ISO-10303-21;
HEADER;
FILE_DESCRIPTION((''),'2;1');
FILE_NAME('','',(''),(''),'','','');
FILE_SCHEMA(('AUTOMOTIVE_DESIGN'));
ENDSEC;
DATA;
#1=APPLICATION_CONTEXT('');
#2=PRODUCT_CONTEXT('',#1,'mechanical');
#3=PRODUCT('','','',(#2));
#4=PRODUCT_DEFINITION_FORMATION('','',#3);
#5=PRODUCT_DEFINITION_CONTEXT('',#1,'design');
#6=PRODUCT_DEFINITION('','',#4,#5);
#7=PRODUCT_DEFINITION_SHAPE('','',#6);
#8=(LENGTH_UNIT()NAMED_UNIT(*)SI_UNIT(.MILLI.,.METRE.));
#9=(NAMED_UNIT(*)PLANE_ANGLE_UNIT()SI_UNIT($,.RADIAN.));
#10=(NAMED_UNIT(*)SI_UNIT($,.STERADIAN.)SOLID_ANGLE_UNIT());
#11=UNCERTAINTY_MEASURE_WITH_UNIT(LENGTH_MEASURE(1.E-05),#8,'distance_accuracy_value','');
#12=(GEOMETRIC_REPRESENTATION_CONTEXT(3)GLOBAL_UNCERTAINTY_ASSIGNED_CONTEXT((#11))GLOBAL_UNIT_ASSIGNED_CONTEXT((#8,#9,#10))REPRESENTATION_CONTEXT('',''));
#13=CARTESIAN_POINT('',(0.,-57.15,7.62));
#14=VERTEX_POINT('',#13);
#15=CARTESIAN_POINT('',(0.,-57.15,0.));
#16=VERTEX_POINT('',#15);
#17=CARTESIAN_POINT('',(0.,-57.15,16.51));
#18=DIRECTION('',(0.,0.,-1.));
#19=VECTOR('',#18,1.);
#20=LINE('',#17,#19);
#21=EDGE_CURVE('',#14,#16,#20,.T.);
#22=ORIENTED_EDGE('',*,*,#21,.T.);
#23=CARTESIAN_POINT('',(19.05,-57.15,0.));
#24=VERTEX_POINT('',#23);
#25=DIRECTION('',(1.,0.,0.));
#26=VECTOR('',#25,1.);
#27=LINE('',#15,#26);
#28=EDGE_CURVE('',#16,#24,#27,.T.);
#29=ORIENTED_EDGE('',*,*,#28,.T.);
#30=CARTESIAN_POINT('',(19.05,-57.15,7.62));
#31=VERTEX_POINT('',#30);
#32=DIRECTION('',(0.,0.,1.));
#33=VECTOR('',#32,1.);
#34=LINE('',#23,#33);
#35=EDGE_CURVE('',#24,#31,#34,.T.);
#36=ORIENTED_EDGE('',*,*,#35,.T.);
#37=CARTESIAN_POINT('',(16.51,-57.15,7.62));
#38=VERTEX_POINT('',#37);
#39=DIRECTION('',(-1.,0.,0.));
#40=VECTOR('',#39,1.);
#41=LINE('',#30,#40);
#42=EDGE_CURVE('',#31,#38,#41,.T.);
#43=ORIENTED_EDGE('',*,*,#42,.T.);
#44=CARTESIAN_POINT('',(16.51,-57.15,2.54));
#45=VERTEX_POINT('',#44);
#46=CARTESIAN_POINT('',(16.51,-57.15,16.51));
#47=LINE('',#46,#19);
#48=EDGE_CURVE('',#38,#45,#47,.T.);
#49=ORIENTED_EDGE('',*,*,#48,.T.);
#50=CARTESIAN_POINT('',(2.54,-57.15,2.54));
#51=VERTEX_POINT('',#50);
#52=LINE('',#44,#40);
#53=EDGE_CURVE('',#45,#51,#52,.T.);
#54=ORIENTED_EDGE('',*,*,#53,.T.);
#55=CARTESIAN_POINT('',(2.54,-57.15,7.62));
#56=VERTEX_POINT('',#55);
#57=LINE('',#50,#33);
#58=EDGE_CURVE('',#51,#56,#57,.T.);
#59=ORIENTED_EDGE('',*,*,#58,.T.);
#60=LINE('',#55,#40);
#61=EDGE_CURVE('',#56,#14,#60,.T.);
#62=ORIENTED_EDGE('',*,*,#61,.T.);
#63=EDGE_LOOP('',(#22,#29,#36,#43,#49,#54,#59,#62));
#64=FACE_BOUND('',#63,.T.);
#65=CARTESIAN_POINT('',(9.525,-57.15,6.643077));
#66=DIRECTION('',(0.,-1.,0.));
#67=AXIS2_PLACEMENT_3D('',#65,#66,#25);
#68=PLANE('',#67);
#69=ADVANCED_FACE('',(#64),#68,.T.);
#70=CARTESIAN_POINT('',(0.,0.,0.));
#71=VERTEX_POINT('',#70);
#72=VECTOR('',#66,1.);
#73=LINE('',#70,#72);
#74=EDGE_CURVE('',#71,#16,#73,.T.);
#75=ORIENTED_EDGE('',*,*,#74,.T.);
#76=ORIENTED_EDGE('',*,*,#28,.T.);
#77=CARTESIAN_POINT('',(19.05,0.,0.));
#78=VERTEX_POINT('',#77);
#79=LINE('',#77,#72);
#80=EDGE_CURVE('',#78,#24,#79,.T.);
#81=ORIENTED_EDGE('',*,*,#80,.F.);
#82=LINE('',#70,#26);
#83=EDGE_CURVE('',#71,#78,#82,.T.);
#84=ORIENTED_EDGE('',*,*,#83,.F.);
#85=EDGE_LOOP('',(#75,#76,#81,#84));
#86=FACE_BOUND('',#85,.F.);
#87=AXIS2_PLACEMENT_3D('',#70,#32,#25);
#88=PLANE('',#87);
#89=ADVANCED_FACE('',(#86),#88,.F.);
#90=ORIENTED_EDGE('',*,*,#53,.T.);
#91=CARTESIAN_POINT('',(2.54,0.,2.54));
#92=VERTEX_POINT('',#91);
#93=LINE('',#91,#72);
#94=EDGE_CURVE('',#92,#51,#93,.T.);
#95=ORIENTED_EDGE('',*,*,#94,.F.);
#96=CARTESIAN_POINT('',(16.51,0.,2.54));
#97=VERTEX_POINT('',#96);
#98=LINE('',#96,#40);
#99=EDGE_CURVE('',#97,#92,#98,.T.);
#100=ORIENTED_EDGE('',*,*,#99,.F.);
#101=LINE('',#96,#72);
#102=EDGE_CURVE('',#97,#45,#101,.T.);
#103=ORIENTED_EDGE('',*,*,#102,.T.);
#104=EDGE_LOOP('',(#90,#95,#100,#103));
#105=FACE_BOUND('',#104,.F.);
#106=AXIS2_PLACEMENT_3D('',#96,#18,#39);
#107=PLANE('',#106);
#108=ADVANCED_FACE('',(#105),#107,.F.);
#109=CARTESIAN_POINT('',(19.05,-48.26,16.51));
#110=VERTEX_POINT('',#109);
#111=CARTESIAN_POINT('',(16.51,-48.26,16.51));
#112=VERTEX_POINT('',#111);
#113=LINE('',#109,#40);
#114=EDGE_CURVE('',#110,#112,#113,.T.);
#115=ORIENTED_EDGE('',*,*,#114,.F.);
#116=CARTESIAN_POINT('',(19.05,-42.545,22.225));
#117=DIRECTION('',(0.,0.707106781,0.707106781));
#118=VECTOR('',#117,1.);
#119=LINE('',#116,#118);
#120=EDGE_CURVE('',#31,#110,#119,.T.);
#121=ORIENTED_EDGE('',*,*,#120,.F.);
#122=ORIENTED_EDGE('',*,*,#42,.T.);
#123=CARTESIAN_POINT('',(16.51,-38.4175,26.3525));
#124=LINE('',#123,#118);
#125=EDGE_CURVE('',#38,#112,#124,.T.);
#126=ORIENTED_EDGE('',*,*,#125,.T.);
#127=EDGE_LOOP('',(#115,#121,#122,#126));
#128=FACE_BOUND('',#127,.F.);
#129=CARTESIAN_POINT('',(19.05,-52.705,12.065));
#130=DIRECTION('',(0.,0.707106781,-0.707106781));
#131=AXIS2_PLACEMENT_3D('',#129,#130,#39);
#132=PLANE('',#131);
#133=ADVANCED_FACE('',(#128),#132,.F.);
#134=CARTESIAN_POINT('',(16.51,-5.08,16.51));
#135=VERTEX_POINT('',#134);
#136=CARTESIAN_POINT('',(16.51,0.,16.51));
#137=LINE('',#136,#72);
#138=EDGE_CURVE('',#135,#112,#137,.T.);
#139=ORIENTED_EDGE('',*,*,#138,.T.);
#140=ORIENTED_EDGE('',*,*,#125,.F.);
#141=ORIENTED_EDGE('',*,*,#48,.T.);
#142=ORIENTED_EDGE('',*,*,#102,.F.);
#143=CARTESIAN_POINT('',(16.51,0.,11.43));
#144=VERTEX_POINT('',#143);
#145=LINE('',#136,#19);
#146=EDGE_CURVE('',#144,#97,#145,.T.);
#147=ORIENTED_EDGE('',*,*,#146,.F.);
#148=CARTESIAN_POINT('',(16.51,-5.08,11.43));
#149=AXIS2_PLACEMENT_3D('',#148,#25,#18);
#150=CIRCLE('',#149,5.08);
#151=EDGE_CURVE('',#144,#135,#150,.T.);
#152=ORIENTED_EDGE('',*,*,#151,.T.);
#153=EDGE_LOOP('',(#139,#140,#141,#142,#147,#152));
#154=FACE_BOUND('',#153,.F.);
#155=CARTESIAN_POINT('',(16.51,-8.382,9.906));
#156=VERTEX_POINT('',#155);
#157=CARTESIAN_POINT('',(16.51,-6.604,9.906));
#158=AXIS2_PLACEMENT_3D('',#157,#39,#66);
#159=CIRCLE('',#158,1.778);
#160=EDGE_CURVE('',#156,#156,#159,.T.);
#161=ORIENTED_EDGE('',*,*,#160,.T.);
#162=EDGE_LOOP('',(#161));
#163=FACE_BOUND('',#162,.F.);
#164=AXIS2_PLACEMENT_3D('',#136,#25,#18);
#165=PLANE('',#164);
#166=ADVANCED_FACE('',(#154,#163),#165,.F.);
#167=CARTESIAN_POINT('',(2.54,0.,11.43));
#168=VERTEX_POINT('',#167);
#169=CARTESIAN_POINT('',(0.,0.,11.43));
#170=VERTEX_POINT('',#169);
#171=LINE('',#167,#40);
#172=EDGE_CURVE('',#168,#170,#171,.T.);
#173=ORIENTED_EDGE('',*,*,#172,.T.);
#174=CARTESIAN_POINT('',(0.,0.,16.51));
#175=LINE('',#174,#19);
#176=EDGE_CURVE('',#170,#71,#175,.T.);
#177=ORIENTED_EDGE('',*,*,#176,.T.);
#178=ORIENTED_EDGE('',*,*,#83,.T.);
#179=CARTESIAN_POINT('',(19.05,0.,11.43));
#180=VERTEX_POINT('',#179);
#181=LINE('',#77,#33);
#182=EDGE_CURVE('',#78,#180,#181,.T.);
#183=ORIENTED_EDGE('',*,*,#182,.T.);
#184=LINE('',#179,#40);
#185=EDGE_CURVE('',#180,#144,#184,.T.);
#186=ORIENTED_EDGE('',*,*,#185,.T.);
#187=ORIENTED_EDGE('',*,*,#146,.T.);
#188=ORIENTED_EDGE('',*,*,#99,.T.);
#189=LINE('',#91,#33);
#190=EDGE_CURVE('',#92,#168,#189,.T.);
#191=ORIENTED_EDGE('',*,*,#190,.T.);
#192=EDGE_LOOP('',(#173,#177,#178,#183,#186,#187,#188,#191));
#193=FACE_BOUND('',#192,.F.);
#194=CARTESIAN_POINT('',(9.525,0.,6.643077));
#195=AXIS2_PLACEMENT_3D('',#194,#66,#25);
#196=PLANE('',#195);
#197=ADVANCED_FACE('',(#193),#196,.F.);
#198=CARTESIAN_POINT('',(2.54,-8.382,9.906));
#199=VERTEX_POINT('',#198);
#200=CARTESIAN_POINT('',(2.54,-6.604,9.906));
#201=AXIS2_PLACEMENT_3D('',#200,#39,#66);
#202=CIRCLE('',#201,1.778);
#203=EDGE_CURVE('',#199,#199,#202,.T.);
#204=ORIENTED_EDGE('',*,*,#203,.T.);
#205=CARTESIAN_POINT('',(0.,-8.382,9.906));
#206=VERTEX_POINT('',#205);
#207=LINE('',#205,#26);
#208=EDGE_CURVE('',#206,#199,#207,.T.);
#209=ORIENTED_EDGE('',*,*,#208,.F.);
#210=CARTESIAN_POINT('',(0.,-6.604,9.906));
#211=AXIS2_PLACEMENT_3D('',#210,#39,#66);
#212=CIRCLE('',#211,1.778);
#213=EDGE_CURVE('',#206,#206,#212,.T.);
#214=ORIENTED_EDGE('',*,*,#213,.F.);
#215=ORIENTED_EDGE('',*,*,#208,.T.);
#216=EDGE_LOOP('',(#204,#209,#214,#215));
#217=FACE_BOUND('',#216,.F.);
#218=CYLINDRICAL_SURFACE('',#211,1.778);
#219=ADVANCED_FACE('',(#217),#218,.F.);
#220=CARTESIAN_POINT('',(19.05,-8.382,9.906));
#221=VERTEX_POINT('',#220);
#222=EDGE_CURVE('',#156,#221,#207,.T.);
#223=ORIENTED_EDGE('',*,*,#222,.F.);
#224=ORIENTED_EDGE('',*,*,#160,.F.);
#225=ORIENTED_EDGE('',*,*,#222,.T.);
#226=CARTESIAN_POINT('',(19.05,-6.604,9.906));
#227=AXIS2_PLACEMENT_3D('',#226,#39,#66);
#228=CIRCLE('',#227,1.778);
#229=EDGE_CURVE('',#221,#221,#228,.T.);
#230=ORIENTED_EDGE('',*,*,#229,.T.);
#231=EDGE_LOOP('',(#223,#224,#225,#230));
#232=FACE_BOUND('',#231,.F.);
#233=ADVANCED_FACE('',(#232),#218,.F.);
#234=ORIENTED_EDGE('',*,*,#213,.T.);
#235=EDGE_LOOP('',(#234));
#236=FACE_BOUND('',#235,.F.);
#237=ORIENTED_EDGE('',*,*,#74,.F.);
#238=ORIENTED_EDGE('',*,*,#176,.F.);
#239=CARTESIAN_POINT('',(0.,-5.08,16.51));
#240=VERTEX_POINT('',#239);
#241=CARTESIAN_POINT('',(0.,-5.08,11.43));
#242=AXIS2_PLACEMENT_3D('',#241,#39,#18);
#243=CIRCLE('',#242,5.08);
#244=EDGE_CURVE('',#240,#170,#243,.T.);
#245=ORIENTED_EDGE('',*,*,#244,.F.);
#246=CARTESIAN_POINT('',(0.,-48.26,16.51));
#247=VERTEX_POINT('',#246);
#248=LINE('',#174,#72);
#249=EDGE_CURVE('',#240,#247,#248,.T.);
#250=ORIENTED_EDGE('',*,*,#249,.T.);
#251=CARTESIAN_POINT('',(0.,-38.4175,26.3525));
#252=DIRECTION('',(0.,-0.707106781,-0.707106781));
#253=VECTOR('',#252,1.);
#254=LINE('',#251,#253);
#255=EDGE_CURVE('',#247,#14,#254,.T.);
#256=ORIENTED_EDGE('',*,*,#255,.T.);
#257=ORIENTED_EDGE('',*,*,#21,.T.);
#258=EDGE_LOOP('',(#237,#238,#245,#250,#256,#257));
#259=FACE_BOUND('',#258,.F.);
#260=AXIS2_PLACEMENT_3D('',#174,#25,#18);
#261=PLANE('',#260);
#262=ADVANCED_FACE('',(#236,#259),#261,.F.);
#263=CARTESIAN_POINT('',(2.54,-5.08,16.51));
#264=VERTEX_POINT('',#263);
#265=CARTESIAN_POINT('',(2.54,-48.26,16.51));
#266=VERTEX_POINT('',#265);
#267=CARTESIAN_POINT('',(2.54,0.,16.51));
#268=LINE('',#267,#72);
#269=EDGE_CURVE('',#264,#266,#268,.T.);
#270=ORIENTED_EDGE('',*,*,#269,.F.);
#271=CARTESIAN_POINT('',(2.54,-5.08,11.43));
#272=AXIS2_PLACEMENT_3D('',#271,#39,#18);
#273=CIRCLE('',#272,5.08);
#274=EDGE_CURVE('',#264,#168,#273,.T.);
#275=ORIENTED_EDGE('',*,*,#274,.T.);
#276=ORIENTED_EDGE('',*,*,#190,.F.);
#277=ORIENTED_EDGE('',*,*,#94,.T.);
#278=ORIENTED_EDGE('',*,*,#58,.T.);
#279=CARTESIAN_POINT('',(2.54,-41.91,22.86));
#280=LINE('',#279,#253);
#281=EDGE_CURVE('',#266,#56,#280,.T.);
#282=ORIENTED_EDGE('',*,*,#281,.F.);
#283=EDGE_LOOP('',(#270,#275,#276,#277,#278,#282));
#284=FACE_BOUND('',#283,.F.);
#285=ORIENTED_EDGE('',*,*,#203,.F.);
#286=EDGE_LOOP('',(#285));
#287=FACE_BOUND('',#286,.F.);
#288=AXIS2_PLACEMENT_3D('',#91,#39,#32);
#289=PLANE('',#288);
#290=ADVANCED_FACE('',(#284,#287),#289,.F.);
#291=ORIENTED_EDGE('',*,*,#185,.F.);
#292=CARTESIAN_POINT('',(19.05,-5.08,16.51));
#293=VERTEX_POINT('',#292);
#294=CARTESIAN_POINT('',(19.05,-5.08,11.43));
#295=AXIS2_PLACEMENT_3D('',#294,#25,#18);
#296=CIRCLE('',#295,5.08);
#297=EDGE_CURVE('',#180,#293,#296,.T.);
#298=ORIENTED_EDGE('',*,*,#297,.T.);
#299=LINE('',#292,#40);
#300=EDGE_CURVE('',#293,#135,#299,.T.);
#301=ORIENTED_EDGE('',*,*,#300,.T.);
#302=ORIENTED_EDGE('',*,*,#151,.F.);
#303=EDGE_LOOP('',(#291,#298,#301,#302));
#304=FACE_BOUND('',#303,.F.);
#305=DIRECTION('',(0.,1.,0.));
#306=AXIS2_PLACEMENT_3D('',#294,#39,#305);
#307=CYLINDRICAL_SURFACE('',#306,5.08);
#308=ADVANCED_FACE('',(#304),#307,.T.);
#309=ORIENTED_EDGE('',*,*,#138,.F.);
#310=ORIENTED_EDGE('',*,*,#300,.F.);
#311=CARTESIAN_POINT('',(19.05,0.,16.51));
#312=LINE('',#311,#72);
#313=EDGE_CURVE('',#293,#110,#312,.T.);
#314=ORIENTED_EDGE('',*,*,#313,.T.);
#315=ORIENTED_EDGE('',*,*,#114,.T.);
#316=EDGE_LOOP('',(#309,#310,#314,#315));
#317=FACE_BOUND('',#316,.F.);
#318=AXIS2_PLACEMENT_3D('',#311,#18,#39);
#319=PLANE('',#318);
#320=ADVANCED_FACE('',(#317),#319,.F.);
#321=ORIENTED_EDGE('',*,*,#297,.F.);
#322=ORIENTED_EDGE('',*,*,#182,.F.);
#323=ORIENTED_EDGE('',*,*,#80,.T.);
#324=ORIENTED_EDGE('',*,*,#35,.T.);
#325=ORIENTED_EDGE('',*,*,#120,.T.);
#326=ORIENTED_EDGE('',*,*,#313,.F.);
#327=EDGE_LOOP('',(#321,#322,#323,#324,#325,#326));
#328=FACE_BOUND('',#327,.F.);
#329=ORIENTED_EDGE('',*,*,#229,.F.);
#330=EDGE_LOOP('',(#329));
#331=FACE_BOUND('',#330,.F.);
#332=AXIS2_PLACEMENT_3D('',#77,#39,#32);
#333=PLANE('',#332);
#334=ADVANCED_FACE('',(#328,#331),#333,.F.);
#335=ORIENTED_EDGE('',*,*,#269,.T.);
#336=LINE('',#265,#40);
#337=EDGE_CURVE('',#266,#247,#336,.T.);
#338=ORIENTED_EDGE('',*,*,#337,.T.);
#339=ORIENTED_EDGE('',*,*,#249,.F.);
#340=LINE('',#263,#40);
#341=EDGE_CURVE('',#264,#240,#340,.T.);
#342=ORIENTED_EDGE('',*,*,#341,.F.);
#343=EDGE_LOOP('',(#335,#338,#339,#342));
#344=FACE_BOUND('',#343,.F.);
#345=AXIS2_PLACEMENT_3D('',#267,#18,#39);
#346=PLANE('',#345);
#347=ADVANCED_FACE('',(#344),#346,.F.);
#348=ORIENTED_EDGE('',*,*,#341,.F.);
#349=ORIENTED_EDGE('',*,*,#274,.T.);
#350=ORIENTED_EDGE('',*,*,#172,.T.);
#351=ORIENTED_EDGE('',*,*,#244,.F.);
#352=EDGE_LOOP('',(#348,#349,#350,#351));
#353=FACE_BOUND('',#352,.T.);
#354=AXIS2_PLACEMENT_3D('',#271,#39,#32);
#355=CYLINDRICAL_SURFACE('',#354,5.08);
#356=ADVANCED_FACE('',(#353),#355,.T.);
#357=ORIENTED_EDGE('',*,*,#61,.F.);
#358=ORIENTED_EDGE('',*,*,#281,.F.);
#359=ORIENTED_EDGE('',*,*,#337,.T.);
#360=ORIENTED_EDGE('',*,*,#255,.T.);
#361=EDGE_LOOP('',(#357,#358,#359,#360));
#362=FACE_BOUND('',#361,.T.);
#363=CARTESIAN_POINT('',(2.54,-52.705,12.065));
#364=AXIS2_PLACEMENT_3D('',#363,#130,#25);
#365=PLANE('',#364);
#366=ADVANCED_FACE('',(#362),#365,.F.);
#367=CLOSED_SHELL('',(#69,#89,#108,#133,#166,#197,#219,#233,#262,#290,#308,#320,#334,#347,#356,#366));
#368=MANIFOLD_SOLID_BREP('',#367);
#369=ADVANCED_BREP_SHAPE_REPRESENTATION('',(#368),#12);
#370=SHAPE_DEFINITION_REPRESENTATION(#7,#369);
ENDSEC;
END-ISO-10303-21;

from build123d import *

# Parameters (mm, degrees)
F1_DEPTH = 57.15
F2_R     = 1.778
F3_DEPTH = 19.051
F4_R     = 5.08
F5_SIZE  = 8.89


with BuildPart() as f1:
    # F0 (on Front) → F1 (new body)
    with BuildSketch(Plane.XZ):
        Polygon((0, 16.51), (0, 0), (19.05, 0), (19.05, 16.51), (16.51, 16.51), (16.51, 2.54), (2.54, 2.54), (2.54, 16.51), align=None)
    extrude(amount=F1_DEPTH)

    # F2 (on face) → F3 (cut, through all)
    with BuildSketch(Plane(origin=(0, 0, 0), x_dir=(0, -1, 0), z_dir=(-1, 0, 0))):
        with Locations((6.604, 9.906)):
            Circle(F2_R)
    extrude(amount=-F3_DEPTH, mode=Mode.SUBTRACT)

    # F4
    f4_edges = [f1.edges().sort_by_distance(p)[0] for p in [
        (17.78, 0, 16.51),
        (1.27, 0, 16.51),
    ]]
    fillet(f4_edges, radius=F4_R)

    # F5
    f5_edges = [f1.edges().sort_by_distance(p)[0] for p in [
        (1.27, -57.15, 16.51),
        (17.78, -57.15, 16.51),
    ]]
    chamfer(f5_edges, length=F5_SIZE)


solid = f1.part
